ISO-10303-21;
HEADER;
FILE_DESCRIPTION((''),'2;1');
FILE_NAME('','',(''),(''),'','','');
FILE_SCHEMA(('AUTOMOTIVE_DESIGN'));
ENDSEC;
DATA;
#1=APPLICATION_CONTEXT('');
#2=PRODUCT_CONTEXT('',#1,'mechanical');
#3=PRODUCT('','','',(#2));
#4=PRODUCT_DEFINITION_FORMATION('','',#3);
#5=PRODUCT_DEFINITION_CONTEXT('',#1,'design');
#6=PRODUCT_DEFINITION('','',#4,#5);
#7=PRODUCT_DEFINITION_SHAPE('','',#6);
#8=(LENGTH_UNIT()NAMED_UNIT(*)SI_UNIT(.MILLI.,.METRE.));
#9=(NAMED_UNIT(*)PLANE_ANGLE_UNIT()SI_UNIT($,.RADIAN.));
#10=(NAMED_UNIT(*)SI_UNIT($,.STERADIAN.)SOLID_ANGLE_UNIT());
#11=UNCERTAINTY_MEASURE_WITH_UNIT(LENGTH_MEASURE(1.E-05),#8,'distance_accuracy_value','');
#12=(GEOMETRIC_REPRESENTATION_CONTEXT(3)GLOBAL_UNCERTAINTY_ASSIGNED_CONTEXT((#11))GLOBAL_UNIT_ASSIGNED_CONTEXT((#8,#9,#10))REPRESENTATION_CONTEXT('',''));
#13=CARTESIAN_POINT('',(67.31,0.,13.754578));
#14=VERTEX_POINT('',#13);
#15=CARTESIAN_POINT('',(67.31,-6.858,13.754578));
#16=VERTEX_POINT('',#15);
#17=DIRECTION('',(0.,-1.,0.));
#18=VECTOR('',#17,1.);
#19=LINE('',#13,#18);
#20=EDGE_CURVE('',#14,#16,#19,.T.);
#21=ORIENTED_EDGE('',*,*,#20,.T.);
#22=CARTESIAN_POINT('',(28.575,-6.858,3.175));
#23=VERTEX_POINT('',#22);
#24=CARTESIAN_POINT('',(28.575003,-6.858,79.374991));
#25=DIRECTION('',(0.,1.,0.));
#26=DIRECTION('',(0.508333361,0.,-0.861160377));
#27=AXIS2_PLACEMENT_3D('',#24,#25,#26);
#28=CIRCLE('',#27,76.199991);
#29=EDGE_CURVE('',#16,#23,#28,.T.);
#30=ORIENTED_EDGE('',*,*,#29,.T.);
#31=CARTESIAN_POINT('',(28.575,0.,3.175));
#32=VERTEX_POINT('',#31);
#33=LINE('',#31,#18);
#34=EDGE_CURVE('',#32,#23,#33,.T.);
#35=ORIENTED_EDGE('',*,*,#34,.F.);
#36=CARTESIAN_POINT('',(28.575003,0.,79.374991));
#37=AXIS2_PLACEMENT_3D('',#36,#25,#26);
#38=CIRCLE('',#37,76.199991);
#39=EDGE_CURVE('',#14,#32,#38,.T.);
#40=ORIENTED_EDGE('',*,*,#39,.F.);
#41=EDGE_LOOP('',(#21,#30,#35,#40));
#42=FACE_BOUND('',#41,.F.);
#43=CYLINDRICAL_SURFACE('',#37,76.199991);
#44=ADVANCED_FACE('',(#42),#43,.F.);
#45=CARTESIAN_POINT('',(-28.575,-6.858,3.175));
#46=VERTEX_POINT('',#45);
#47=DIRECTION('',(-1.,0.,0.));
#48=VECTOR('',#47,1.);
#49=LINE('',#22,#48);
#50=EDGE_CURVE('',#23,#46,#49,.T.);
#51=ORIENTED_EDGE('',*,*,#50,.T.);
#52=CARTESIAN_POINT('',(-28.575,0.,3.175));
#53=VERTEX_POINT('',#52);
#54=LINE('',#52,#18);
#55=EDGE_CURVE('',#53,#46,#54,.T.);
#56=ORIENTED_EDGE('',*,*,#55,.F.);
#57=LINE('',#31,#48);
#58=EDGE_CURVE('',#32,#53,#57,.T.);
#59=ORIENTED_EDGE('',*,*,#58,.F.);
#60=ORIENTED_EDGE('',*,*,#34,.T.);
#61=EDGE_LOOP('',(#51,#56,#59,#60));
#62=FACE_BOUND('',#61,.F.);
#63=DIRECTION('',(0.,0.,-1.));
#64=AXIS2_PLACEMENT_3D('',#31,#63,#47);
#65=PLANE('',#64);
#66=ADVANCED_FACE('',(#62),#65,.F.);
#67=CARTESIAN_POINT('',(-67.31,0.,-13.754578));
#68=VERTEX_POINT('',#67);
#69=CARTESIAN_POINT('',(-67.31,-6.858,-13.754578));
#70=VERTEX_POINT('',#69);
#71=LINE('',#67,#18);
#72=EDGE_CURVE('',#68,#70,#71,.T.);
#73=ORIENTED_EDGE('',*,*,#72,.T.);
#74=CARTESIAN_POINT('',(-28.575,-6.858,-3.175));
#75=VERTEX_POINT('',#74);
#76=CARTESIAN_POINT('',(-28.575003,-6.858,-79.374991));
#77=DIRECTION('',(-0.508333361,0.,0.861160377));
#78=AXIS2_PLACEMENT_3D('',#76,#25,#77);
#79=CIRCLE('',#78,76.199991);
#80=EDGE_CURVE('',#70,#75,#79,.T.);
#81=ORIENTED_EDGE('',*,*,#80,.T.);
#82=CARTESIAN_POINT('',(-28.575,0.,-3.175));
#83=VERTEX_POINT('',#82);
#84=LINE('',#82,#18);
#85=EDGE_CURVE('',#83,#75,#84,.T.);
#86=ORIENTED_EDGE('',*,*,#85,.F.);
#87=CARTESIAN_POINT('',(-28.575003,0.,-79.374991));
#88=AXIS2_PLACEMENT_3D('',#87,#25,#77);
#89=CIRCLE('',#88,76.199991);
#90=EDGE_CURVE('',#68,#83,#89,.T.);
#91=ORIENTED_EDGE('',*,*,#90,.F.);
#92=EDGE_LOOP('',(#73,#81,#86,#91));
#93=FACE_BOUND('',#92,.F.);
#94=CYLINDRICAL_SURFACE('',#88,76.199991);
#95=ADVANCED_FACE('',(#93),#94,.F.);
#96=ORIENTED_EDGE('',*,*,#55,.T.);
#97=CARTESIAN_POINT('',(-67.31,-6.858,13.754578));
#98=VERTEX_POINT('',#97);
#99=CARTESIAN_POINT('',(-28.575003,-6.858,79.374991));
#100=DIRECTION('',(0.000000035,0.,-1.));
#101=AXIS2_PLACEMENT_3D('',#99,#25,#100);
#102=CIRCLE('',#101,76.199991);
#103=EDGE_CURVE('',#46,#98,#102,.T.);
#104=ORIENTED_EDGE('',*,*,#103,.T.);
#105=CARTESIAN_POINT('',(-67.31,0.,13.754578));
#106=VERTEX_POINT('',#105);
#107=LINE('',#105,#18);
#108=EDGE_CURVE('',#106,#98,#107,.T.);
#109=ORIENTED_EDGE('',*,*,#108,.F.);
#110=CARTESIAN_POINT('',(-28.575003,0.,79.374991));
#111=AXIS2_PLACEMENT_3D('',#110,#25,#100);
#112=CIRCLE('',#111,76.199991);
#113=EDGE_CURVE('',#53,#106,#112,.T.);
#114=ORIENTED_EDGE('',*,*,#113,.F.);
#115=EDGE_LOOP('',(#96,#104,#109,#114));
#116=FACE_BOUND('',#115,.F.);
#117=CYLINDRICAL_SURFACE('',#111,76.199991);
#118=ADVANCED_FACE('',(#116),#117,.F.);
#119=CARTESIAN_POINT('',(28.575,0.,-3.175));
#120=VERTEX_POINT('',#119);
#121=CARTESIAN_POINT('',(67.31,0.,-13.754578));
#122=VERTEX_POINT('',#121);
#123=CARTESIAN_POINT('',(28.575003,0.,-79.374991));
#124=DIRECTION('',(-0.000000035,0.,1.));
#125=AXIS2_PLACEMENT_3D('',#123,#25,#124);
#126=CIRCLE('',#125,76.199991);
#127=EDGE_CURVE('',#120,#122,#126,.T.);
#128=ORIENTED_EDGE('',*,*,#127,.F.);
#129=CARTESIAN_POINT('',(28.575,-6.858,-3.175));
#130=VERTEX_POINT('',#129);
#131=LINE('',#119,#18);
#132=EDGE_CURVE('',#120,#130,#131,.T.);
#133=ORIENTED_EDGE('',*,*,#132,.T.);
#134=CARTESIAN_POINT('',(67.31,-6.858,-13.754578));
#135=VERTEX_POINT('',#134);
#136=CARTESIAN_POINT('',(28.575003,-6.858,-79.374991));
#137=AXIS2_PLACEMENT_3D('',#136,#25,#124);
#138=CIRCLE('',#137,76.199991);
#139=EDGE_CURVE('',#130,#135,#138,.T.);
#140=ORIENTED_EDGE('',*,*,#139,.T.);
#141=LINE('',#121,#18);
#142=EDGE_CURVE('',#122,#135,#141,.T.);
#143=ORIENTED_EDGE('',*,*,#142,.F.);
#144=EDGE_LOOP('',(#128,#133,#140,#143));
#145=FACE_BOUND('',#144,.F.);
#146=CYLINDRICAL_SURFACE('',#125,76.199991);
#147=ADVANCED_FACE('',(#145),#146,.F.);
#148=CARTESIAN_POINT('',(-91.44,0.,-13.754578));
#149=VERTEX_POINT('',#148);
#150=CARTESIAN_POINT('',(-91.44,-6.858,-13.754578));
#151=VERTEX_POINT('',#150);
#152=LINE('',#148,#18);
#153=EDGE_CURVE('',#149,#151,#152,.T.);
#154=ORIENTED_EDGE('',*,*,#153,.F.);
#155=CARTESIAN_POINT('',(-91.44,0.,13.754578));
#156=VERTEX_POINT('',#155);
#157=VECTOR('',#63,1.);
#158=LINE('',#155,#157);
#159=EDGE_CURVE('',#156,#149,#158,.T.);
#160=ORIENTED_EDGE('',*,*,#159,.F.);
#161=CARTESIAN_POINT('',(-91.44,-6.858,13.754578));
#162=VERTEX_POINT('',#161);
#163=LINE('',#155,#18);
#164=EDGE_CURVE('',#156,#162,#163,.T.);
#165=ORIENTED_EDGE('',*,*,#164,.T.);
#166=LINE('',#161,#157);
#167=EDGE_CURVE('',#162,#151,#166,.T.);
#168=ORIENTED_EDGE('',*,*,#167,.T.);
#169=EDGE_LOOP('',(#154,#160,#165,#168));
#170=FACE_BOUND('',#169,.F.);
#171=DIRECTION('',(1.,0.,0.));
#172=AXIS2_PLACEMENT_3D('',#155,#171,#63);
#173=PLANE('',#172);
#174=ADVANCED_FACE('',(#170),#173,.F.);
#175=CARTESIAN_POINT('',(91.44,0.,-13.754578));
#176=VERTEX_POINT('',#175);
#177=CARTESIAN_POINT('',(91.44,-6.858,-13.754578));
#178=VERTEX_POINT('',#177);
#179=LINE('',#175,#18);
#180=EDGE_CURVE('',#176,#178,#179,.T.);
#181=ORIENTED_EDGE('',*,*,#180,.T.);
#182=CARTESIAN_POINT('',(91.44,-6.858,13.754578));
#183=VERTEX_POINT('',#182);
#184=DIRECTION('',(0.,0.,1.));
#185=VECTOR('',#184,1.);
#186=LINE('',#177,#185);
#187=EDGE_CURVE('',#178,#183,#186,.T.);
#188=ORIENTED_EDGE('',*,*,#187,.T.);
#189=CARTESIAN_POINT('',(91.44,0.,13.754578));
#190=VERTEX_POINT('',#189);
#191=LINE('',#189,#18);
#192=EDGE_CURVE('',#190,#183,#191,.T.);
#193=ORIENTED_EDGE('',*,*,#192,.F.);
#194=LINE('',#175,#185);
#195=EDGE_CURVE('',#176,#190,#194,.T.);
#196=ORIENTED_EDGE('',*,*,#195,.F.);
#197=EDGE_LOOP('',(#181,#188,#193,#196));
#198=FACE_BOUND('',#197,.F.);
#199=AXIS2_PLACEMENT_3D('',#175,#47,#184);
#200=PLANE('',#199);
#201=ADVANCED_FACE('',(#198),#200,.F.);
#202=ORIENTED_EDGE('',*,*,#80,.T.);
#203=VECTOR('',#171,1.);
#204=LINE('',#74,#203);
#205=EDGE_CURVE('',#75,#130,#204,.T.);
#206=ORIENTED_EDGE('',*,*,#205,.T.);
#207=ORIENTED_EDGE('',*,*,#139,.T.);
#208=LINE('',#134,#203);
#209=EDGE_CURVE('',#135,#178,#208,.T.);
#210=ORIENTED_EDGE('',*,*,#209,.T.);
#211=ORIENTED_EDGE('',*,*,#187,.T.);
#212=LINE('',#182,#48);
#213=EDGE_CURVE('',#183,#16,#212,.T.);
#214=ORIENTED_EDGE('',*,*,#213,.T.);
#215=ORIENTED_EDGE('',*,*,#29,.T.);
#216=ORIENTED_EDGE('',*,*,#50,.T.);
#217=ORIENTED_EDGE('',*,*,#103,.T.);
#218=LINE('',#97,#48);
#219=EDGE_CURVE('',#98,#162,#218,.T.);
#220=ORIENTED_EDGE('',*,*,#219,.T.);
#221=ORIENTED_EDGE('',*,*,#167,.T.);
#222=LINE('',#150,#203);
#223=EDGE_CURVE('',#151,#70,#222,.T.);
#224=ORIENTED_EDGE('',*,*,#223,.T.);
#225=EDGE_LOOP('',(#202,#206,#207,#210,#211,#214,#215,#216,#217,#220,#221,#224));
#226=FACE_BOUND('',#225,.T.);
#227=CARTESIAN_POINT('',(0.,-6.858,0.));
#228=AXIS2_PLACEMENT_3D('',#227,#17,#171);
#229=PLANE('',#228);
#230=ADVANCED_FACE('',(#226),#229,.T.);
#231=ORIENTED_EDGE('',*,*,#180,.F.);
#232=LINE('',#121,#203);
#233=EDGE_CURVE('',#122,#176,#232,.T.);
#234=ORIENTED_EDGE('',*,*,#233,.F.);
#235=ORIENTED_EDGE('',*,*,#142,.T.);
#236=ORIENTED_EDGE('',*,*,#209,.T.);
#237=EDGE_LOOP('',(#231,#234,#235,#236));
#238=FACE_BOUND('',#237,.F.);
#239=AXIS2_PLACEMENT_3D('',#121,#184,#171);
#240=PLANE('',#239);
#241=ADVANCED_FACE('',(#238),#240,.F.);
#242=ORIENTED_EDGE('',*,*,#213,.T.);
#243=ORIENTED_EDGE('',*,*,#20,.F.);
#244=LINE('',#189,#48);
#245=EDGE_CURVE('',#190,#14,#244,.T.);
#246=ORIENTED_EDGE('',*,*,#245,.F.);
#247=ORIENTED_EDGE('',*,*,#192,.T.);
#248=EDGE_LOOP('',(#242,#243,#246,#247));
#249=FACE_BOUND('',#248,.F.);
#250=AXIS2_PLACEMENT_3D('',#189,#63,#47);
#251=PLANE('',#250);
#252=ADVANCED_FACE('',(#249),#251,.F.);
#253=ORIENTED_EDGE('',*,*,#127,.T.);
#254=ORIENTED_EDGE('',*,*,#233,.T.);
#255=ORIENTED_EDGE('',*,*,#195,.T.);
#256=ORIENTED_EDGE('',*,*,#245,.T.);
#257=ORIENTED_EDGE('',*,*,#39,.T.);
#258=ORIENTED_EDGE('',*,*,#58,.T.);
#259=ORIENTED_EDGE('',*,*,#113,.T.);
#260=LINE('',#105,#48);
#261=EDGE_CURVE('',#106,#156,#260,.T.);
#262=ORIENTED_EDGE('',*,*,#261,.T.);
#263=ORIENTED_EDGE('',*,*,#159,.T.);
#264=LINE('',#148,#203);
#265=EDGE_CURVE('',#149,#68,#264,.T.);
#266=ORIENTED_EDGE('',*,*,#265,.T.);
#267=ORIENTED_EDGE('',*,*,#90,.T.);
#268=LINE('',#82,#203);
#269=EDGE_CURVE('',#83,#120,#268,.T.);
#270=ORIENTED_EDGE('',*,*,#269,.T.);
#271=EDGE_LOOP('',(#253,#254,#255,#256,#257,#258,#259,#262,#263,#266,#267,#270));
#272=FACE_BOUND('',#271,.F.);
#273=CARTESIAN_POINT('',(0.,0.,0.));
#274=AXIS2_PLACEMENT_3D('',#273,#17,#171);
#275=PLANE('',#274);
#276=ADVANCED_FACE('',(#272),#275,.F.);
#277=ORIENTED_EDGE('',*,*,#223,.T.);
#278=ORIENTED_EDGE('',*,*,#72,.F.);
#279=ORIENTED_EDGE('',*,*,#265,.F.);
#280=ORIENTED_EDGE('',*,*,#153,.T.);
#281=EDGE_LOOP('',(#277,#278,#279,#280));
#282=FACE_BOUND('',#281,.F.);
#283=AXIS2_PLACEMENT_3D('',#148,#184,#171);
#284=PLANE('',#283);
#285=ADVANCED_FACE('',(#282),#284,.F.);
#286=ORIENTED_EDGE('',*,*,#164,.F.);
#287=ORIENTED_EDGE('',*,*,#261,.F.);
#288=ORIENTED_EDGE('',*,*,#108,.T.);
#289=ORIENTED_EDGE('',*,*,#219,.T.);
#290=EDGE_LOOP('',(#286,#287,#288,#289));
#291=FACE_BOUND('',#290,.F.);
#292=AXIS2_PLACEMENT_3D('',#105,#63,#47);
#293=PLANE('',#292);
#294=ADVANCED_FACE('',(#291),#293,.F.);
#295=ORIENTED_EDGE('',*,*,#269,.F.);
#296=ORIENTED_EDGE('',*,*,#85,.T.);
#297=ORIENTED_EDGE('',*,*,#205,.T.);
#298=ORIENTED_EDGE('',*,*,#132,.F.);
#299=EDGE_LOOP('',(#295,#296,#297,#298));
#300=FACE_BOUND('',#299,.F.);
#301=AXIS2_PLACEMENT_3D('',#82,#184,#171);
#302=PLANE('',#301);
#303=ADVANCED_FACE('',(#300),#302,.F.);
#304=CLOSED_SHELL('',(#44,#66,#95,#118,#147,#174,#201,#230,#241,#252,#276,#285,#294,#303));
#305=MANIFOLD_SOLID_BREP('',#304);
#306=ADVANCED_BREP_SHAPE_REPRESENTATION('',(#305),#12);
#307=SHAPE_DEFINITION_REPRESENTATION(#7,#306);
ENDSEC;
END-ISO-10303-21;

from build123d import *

# Parameters (mm, degrees)
F1_DEPTH = 6.858


with BuildPart() as f1:
    # F0 (on Front) → F1 (new body)
    with BuildSketch(Plane.XZ):
        with BuildLine():
            Line((28.575, 3.175), (0, 3.175))
            Line((0, 3.175), (-28.575, 3.175))
            ThreePointArc((-28.575, 3.175), (-48.6519, 5.867462), (-67.31, 13.754578))
            Line((-67.31, 13.754578), (-91.44, 13.754578))
            Line((-91.44, 13.754578), (-91.44, -13.754578))
            Line((-91.44, -13.754578), (-67.31, -13.754578))
            ThreePointArc((-67.31, -13.754578), (-48.6519, -5.867462), (-28.575, -3.175))
            Line((-28.575, -3.175), (0, -3.175))
            Line((0, -3.175), (28.575, -3.175))
            ThreePointArc((28.575, -3.175), (48.6519, -5.867462), (67.31, -13.754578))
            Line((67.31, -13.754578), (91.44, -13.754578))
            Line((91.44, -13.754578), (91.44, 13.754578))
            Line((91.44, 13.754578), (67.31, 13.754578))
            ThreePointArc((67.31, 13.754578), (48.6519, 5.867462), (28.575, 3.175))
        make_face()
    extrude(amount=F1_DEPTH)


solid = f1.part
